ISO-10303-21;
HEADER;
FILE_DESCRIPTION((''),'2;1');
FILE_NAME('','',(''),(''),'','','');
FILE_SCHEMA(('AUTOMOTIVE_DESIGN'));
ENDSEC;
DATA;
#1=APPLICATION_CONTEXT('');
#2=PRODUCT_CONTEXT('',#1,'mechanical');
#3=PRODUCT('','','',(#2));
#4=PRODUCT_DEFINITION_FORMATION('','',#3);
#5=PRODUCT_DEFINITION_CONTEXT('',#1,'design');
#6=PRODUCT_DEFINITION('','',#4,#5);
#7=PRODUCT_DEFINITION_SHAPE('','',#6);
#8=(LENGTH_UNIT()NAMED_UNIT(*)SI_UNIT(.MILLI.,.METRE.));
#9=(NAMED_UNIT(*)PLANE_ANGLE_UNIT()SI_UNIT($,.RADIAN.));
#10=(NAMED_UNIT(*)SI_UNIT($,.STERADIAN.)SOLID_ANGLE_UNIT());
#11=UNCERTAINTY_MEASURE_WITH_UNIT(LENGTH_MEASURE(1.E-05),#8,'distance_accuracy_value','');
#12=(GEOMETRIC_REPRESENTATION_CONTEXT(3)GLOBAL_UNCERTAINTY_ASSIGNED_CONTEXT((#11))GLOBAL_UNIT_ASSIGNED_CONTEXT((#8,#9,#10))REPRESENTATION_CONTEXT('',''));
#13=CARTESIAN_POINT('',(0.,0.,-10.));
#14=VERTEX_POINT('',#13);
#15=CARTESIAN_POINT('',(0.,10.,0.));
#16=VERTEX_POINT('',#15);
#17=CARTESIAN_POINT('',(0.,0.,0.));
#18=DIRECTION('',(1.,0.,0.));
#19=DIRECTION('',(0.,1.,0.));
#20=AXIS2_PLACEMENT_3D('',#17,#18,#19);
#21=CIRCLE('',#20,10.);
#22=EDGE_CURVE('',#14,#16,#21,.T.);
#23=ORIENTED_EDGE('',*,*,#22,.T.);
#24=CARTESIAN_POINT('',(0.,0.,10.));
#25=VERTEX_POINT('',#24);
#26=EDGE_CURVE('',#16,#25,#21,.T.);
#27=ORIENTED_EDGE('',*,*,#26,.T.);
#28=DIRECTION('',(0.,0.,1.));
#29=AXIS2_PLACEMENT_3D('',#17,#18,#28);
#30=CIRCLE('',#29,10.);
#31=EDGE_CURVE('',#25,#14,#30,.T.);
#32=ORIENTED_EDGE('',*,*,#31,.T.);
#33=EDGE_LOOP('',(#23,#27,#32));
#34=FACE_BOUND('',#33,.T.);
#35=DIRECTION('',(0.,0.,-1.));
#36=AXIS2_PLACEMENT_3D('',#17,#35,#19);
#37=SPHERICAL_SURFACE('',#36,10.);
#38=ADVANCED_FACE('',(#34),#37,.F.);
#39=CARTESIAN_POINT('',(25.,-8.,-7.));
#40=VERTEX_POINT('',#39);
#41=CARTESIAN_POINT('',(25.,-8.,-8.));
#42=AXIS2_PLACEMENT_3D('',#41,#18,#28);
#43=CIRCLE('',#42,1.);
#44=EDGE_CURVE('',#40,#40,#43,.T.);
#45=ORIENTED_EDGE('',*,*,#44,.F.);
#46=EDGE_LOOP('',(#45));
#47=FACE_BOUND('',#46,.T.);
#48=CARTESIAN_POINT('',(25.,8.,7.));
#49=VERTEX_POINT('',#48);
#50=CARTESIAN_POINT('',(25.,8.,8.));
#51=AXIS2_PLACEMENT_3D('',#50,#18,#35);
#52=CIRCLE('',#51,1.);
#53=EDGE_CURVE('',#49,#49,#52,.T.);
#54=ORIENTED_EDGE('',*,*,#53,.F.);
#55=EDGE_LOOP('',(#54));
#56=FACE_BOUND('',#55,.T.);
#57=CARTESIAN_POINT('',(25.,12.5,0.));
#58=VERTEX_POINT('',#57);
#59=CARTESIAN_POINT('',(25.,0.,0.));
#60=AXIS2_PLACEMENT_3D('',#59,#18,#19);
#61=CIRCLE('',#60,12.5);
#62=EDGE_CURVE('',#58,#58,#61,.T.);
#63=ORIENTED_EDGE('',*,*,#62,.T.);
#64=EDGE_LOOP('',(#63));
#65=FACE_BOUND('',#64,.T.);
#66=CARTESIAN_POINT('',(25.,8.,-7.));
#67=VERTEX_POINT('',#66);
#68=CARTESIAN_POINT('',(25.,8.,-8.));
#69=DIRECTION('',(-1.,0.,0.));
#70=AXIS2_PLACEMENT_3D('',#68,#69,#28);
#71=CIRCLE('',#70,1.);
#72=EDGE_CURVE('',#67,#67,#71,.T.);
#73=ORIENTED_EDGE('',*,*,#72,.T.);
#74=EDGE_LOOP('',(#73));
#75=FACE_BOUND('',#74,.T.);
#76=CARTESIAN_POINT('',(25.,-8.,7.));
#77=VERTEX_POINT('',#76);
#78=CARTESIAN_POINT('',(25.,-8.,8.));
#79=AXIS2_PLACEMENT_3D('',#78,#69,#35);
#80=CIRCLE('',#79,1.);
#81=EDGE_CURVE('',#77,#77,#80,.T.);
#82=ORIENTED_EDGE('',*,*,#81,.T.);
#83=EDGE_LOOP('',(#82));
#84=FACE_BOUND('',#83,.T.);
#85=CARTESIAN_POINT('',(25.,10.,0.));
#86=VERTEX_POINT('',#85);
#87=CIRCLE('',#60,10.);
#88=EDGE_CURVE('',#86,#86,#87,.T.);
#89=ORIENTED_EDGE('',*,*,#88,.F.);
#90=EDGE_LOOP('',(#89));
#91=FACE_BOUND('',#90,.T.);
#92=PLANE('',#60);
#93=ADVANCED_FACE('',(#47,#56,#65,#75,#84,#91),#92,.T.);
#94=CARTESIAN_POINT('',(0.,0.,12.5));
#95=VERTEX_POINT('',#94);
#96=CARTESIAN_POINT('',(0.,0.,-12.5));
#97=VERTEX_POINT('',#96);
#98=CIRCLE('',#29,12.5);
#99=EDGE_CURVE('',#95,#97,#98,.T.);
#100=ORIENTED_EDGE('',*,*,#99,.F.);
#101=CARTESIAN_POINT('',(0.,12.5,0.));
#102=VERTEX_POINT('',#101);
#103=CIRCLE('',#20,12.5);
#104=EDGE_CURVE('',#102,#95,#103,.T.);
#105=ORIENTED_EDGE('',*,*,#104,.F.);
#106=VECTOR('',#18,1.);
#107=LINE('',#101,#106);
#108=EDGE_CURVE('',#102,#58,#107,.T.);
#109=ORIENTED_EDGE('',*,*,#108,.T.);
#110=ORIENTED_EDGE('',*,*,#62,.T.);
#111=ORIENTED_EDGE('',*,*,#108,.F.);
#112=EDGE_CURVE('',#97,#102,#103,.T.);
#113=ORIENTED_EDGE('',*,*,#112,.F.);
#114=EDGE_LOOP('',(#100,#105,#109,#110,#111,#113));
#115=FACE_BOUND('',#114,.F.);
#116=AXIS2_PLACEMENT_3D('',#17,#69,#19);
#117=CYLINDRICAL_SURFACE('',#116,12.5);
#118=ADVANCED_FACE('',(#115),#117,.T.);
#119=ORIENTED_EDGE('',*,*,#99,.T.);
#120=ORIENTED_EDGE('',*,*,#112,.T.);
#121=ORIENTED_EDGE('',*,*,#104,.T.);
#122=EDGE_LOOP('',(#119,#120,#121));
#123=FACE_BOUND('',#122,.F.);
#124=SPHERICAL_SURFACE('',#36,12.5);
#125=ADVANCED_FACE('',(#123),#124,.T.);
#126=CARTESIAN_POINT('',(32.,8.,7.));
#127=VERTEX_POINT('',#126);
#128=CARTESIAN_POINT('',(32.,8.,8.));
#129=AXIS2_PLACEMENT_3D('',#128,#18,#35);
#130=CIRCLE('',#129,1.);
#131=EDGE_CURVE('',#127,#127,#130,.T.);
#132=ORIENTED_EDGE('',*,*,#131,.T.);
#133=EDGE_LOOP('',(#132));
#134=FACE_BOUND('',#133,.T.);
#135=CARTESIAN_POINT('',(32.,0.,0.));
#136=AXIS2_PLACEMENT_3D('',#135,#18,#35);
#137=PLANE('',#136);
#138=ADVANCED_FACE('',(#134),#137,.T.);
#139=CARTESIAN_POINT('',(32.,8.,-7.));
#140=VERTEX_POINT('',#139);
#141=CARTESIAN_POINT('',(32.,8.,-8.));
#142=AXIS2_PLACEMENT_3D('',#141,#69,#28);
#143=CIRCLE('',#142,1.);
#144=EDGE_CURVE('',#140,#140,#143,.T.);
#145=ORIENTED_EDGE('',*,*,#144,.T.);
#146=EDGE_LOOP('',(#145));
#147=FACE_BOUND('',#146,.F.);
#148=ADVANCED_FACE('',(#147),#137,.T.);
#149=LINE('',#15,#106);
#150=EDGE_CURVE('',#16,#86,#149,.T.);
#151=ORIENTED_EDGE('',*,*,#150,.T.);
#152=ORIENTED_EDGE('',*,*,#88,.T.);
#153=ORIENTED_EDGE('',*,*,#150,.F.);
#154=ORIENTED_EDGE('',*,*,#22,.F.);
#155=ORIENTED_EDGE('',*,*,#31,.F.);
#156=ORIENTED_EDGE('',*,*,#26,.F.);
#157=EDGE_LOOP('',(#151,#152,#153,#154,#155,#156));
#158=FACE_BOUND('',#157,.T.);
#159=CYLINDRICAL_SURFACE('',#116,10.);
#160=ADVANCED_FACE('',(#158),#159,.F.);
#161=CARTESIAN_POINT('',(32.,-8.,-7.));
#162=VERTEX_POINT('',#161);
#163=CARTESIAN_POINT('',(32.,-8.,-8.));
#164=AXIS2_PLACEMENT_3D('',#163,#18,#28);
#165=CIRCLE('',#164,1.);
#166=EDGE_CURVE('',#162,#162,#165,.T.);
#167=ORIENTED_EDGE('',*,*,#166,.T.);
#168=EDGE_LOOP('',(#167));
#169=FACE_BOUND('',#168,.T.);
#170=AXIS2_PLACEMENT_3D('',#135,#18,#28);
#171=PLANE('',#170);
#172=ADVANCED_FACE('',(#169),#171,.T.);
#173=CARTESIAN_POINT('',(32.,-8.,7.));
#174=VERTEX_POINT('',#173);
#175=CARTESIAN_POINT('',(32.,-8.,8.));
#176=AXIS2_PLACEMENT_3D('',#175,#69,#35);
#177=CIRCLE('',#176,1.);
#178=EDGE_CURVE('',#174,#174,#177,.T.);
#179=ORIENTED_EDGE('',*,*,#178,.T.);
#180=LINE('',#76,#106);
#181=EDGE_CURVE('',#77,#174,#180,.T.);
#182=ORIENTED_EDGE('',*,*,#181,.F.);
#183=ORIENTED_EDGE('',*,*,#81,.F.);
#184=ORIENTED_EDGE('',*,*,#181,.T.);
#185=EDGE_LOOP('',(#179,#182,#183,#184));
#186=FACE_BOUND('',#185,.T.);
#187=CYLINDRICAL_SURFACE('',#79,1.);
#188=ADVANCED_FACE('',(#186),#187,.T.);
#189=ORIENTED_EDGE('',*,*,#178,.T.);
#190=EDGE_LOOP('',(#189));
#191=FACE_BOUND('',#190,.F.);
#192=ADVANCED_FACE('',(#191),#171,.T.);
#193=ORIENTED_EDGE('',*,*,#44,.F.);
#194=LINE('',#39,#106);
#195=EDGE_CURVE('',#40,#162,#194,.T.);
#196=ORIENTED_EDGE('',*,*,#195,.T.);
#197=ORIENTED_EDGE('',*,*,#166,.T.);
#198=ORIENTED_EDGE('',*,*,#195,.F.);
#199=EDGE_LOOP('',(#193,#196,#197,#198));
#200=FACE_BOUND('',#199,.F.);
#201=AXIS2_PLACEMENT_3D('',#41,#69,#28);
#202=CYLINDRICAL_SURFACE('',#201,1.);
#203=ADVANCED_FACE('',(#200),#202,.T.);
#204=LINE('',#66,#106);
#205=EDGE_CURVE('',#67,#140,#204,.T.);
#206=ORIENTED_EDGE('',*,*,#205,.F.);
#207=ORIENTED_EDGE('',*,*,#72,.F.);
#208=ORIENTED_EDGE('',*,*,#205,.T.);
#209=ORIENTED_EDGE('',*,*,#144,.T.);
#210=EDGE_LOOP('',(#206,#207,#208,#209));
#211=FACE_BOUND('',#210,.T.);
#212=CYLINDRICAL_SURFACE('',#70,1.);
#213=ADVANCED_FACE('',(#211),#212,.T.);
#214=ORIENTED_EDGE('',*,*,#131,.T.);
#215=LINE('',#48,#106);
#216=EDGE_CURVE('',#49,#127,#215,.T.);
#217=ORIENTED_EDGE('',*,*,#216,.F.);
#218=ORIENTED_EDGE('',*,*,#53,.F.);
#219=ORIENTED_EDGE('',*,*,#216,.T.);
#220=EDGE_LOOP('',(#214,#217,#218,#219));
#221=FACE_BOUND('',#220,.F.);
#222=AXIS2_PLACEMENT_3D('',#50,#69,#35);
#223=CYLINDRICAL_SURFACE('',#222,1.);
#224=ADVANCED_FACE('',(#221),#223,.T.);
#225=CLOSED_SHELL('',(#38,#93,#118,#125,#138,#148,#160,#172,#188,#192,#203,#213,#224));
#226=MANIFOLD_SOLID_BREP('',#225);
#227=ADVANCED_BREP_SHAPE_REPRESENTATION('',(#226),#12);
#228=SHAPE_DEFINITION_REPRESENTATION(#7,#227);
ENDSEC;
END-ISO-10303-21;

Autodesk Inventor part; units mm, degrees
ref_plane "YZ Plane" through (0, 0, 0) normal (1, 0, 0) x (0, 1, 0)
ref_plane "XZ Plane" through (0, 0, 0) normal (0, 1, 0) x (-1, 0, 0)
ref_plane "XY Plane" through (0, 0, 0) normal (0, 0, 1) x (1, 0, 0)
sketch "Sketch2" plane through (0, 0, 0) normal (1, 0, 0) x (0, 1, 0)
  circle A0 centre (0, 0) radius 10
  circle A1 centre (0, 0) radius 12.5
  dimension "d3" = 20
  dimension "d4" = 25
extrude "Extrusion1" add sketch "Sketch2" along normal blind 25
sketch "Sketch3" plane through (0, 0, 0) normal (-1, 0, 0) x (0, 0, 1)
  circle A0 centre (0, 0) radius 10 projected
  arc A1 (10, 0) -> (-10, 0) centre (0, 0) ccw
  circle A2 centre (0, 0) radius 12.5 projected
  arc A3 (12.5, 0) -> (-12.5, 0) centre (0, 0) ccw
  line L0 (-12.5, 0) -> (-10, 0)
  line L1 (10, 0) -> (12.5, 0)
revolve "Revolution1" add sketch "Sketch3" angle 180 about axis through (0, 0, 10) along (0, 0, 1) picked at (-11.4487, 1.7949) contours A0 L0 A2 L1
sketch "Sketch5" plane through (25, 0, 0) normal (1, 0, 0) x (0, 0, -1)
  circle A0 centre (-8, 8) radius 1
  point P0 (0, 0)
  dimension "d9" = 2
extrude "Extrusion2" add sketch "Sketch5" along normal blind 7
mirror "Mirror1" about plane through (0, 0, 0) normal (0, 0, 1) of "Extrusion2"
mirror "Mirror2" about plane through (0, 0, 0) normal (0, 1, 0) of "Extrusion2", "Mirror1"
properties part number "Plasmid Half 1"
